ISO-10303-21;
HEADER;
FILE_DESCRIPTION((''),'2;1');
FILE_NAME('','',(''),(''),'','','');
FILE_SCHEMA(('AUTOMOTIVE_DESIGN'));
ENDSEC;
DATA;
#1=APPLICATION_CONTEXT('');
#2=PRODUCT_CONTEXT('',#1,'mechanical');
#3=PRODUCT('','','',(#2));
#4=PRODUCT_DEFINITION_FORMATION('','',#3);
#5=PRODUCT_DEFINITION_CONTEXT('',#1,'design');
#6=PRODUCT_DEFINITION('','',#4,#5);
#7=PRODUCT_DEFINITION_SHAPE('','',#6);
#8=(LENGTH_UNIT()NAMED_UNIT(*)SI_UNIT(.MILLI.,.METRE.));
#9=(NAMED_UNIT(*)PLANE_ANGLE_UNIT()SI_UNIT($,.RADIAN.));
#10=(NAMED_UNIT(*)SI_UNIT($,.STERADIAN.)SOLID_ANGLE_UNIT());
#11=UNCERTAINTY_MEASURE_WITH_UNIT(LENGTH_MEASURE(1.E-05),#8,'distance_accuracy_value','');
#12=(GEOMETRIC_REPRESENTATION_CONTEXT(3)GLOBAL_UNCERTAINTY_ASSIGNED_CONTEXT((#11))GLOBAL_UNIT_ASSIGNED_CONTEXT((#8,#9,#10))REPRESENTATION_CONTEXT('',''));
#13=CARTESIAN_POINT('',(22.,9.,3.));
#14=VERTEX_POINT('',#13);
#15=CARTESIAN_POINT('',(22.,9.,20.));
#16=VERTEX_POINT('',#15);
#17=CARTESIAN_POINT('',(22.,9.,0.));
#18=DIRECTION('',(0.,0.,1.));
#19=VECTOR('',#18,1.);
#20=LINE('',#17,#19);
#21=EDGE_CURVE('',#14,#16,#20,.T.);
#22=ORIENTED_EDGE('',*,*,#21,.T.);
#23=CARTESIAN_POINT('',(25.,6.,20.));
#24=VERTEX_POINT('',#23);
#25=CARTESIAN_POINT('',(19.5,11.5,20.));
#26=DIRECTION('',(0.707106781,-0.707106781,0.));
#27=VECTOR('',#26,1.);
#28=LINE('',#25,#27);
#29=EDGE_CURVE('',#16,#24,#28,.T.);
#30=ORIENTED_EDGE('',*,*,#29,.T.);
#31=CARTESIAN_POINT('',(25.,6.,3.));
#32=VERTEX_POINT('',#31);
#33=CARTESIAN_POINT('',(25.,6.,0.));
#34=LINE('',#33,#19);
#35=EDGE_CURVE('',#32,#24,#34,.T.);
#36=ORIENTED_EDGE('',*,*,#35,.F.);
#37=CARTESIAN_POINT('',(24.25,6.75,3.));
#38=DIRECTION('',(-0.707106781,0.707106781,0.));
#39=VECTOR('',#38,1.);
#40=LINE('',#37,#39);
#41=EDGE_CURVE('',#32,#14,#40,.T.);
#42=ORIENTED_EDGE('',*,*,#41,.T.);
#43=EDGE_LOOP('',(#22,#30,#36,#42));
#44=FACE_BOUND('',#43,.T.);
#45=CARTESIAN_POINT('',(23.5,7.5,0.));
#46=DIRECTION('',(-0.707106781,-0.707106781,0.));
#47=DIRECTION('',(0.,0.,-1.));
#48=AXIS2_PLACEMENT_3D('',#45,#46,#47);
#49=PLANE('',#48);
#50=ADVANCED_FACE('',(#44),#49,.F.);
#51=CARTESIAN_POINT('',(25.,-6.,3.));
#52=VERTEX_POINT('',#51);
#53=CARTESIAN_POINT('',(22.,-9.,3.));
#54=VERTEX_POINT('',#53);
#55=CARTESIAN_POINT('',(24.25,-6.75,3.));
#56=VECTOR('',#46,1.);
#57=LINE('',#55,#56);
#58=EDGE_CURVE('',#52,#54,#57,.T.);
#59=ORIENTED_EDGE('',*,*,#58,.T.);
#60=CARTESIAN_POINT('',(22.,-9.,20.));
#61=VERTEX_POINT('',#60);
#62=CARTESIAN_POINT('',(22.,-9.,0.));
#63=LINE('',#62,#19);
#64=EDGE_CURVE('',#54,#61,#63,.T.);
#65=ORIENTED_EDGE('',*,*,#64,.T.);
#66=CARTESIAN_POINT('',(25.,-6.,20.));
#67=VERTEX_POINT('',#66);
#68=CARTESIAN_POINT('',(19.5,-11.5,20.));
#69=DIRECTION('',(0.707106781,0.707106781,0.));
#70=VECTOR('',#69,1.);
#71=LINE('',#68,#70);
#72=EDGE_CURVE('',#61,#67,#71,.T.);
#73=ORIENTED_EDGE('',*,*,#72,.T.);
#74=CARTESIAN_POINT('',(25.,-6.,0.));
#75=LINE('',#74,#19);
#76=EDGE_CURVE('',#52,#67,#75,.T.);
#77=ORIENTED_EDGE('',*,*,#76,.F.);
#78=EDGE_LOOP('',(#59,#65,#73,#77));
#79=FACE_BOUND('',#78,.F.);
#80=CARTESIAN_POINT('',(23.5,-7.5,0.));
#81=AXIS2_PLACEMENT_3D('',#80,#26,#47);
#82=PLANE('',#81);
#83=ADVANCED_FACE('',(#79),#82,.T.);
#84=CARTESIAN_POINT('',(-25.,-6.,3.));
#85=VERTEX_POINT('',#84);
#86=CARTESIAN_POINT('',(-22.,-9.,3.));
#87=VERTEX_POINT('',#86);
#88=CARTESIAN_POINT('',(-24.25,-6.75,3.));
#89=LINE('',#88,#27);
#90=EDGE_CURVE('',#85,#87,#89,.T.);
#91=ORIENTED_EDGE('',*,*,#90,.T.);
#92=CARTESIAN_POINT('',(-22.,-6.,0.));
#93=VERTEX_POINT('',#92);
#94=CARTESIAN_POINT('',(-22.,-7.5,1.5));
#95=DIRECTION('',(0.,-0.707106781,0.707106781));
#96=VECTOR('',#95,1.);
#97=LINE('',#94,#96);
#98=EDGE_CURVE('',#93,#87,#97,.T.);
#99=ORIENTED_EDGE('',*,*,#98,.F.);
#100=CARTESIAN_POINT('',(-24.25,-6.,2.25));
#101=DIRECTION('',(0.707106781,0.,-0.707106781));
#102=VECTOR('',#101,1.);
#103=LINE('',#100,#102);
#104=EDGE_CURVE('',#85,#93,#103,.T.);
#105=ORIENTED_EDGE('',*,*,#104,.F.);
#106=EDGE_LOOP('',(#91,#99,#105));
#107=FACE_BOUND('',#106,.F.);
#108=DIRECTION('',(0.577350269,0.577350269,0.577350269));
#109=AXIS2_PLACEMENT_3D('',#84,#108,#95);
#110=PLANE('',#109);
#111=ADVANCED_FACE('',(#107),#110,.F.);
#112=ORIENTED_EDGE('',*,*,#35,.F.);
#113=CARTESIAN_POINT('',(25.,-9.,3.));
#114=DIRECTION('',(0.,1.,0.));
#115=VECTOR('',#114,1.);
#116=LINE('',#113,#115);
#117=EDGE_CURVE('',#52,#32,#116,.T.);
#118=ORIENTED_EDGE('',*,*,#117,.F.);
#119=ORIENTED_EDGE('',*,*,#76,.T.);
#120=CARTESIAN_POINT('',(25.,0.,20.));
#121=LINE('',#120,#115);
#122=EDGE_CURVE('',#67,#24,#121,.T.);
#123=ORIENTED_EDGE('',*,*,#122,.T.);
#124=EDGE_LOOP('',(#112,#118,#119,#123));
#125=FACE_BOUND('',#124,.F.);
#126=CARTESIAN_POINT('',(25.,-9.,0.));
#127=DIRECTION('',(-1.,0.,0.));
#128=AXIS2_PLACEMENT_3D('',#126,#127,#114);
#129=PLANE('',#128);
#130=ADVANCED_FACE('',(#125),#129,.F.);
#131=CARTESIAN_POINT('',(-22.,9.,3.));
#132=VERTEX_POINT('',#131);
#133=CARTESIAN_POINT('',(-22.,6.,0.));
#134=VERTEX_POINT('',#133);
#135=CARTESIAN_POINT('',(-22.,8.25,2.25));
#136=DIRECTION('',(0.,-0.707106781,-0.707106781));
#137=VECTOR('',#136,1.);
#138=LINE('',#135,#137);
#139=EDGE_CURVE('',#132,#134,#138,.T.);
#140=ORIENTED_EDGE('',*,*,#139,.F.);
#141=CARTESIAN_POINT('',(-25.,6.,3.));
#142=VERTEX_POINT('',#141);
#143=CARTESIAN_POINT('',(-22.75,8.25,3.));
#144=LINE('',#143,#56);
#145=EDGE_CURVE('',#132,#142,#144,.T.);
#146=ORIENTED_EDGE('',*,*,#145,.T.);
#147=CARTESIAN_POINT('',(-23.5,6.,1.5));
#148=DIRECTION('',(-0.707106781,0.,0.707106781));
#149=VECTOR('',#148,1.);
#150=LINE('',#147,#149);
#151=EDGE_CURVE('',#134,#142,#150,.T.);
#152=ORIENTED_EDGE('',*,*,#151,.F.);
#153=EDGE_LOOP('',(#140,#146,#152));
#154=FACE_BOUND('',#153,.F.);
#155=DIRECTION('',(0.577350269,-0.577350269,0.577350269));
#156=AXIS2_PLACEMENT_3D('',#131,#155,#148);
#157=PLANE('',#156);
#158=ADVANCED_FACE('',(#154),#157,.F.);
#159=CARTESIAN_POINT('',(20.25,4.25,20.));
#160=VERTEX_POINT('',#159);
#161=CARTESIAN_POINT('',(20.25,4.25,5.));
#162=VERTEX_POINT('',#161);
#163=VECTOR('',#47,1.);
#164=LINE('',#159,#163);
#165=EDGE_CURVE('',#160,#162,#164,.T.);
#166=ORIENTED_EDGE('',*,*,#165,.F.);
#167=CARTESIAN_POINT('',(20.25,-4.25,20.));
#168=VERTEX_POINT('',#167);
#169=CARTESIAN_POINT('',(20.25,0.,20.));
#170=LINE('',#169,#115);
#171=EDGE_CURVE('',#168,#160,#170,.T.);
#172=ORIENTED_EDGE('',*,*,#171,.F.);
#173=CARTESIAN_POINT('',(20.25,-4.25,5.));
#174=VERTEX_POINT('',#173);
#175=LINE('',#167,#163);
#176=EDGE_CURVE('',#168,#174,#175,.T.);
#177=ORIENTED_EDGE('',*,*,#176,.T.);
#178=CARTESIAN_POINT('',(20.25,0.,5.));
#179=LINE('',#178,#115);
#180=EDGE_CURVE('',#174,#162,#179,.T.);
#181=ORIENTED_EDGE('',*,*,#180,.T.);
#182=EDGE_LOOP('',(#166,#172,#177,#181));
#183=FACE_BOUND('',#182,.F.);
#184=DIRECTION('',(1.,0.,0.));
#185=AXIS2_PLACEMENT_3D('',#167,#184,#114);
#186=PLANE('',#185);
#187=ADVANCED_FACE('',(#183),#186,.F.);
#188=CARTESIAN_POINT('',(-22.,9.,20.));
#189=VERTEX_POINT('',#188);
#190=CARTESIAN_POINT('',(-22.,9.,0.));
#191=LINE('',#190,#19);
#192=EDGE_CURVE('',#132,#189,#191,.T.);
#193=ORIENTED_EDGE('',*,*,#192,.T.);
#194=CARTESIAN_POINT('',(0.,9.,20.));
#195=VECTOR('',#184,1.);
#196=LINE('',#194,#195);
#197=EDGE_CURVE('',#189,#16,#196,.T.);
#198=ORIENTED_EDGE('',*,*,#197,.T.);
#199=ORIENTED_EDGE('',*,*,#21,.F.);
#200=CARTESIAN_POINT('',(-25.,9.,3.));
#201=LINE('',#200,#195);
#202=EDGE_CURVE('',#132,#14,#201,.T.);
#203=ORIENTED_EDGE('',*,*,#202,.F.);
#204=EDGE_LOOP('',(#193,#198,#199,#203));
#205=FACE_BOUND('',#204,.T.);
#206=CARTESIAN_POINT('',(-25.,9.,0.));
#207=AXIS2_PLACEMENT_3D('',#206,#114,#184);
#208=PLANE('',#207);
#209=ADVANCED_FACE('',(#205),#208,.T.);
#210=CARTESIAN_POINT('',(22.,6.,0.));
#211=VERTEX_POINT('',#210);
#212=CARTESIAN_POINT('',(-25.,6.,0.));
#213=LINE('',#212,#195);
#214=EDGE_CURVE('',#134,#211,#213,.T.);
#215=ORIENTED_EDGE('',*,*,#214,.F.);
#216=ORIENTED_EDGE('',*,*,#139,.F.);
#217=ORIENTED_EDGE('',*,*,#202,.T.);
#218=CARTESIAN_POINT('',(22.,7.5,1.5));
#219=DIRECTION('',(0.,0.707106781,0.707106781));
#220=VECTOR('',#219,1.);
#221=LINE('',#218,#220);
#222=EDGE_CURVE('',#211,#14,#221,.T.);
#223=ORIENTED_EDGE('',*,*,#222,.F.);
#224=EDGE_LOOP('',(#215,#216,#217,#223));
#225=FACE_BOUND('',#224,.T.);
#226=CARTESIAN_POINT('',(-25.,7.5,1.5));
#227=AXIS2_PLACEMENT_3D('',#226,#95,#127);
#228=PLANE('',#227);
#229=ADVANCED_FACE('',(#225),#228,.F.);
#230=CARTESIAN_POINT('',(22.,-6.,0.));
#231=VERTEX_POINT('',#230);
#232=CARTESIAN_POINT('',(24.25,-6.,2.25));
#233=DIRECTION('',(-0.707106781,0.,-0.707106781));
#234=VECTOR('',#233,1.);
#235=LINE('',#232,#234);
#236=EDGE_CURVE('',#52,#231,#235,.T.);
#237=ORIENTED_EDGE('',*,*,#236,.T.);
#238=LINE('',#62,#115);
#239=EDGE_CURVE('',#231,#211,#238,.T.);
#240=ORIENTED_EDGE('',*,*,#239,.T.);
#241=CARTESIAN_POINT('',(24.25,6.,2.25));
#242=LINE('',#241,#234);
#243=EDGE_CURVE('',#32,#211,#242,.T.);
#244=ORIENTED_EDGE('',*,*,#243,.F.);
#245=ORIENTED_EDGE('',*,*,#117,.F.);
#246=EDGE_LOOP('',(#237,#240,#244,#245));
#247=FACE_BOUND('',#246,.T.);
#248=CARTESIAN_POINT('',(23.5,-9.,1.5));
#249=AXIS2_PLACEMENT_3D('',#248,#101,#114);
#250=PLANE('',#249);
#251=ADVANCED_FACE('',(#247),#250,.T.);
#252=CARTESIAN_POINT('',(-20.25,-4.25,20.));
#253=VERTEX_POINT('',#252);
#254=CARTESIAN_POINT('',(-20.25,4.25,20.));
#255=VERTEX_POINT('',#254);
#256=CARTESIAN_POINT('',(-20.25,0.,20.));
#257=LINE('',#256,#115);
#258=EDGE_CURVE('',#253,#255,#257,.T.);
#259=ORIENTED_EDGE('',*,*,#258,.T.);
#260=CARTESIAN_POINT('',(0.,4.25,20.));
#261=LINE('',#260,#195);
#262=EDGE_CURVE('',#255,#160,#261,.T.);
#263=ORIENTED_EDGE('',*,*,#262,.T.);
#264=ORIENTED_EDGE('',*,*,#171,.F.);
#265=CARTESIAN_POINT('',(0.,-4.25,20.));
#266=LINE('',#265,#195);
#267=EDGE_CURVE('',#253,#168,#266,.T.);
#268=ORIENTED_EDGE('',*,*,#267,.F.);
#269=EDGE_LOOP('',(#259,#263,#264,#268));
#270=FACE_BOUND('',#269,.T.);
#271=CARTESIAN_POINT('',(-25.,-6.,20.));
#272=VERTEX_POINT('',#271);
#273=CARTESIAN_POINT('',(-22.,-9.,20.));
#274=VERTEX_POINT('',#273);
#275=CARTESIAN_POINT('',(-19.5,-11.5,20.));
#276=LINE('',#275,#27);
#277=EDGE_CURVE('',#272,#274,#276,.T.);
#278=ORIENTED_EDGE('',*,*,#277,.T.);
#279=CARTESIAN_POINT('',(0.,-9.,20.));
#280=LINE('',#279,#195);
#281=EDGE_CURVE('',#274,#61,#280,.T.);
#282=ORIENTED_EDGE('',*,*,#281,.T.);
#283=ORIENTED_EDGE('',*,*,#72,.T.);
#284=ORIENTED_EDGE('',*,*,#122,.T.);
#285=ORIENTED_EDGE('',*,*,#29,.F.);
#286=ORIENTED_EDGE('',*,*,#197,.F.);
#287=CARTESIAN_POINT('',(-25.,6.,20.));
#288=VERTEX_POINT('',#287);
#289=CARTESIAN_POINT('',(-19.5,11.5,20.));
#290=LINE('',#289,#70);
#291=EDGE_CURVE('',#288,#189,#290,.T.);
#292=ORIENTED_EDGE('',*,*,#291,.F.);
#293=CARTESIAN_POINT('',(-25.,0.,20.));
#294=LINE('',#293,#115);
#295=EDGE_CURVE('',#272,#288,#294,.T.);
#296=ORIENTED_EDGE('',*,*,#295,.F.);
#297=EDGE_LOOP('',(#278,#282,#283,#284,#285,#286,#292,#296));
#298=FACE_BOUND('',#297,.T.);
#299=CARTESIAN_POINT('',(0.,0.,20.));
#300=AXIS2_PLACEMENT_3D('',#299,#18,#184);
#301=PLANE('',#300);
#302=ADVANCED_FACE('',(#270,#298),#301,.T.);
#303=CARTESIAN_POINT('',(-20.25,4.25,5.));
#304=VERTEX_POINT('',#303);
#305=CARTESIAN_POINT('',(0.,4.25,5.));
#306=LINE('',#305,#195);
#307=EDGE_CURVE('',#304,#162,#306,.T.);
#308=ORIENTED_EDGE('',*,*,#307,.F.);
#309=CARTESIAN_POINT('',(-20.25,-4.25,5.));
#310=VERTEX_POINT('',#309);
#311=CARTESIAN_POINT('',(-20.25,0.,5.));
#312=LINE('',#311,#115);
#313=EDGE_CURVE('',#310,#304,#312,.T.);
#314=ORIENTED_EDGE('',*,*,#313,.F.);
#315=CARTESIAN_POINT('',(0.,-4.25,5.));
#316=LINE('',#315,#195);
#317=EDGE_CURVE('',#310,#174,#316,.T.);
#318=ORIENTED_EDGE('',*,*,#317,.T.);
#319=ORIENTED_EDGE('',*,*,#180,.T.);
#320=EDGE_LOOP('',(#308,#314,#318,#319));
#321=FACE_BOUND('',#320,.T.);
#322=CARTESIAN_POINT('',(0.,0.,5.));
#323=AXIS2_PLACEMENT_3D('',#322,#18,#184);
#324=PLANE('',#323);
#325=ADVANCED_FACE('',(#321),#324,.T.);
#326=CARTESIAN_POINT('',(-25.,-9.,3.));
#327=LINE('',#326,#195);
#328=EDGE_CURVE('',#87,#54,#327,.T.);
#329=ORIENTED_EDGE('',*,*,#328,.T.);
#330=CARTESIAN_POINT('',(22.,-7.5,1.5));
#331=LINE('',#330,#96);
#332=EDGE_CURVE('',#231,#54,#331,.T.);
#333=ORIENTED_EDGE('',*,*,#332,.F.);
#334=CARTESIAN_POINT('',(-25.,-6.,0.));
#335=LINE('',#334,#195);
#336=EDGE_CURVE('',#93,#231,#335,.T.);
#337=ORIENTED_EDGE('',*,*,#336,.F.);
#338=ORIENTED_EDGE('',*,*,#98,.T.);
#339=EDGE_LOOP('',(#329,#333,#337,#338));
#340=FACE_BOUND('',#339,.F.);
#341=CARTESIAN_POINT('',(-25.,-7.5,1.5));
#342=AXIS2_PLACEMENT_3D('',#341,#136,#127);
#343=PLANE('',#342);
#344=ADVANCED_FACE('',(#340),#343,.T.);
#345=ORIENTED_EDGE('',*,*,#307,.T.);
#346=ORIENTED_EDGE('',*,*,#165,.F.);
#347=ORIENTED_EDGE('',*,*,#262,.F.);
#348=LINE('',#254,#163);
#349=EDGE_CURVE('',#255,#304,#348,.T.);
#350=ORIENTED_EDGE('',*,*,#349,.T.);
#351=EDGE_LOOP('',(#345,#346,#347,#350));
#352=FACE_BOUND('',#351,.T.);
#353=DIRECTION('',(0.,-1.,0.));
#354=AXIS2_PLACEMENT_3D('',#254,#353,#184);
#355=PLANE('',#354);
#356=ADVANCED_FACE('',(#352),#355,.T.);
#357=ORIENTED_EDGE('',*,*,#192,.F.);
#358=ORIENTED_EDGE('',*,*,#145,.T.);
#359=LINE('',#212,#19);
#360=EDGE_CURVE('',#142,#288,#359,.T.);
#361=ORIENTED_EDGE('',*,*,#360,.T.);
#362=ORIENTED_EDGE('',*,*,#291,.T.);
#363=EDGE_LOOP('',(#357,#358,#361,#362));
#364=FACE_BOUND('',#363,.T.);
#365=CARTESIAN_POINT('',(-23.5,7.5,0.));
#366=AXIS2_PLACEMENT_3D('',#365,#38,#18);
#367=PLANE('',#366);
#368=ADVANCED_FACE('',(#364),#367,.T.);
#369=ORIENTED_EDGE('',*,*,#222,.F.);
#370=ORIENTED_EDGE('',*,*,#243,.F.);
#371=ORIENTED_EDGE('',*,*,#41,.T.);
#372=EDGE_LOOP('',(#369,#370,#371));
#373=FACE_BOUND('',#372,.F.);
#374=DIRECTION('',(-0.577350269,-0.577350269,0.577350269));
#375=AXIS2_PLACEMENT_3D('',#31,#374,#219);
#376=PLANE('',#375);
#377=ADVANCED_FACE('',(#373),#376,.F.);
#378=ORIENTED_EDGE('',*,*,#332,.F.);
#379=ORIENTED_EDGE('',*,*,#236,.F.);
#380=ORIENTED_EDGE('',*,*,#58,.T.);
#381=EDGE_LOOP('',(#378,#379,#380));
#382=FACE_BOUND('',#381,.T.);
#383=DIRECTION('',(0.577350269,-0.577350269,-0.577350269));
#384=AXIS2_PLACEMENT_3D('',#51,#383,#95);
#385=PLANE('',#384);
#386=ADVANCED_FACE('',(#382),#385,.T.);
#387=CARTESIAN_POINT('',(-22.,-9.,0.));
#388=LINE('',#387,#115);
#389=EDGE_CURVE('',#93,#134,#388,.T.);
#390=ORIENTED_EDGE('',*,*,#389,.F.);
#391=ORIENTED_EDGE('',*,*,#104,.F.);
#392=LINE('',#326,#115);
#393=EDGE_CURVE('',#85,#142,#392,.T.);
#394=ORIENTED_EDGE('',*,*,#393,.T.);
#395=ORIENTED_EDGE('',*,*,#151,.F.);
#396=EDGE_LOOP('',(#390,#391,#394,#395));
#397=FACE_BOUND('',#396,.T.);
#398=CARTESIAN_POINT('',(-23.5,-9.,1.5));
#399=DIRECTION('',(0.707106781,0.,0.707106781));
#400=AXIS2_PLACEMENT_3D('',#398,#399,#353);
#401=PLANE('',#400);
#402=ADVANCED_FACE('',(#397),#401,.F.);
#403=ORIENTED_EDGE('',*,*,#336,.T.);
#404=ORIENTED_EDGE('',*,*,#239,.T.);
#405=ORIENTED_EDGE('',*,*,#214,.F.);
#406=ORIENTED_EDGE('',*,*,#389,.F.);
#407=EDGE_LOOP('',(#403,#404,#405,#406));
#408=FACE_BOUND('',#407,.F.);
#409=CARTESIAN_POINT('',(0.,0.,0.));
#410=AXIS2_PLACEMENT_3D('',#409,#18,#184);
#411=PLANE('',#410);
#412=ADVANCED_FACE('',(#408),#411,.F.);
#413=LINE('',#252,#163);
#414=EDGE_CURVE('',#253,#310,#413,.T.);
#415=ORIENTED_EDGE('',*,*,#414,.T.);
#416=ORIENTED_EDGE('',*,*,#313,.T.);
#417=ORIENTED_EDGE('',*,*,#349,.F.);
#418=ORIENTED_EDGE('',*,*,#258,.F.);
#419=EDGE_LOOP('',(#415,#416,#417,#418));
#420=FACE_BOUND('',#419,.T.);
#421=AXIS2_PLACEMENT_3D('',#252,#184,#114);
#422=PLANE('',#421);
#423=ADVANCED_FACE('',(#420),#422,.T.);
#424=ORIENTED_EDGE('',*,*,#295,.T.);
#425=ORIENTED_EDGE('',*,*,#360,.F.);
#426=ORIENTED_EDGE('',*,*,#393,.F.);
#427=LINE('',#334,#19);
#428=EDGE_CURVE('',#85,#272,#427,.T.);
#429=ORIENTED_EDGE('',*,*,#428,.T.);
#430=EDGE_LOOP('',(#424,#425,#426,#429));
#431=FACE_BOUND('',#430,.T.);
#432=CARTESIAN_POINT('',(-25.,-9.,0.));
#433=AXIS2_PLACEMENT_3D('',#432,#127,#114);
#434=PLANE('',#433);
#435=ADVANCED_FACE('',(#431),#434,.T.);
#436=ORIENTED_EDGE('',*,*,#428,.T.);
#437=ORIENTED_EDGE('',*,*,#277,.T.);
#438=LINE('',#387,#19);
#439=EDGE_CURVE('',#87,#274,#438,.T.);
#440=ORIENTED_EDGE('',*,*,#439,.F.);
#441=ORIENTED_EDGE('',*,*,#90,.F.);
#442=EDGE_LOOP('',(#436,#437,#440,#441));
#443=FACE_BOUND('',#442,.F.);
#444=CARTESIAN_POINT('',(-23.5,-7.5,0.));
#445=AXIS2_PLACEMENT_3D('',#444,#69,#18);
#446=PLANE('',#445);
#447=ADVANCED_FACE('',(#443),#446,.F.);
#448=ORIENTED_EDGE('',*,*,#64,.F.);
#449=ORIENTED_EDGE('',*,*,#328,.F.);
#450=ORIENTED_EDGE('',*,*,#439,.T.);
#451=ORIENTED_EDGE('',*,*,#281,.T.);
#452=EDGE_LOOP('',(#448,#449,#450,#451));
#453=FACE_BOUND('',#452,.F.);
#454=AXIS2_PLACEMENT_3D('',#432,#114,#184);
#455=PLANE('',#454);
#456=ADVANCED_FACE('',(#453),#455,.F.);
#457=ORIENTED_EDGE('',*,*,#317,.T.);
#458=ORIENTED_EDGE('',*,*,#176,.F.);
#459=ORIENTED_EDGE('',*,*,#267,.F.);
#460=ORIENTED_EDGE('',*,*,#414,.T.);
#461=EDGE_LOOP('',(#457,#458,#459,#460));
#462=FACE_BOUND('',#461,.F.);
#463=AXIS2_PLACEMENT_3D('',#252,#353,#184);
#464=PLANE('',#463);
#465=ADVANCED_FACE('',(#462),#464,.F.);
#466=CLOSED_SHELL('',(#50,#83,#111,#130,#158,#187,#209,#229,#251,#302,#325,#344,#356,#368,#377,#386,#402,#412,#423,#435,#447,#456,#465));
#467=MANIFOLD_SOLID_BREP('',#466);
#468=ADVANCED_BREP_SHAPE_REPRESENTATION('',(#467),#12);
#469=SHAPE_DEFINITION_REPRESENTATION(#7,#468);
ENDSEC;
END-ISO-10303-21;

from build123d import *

# Parameters (mm, degrees)
F0_W     = 50
F0_H     = 18
F1_DEPTH = 20
F2_W     = 40.5
F2_H     = 8.5
F3_DEPTH = 15
F4_SIZE  = 3


with BuildPart() as f1:
    # F0 (on Top) → F1 (new body)
    with BuildSketch(Plane.XY):
        Rectangle(F0_W, F0_H)
    extrude(amount=F1_DEPTH)

    # F2 (on face) → F3 (cut, through all)
    with BuildSketch(Plane.XY.offset(20)):
        Rectangle(F2_W, F2_H)
    extrude(amount=-F3_DEPTH, mode=Mode.SUBTRACT)

    # F4
    f4_edges = [f1.edges().sort_by_distance(p)[0] for p in [
        (0, -9, 0),
        (-25, 0, 0),
        (0, 9, 0),
        (25, 0, 0),
        (-25, -9, 10),
        (-25, 9, 10),
        (25, 9, 10),
        (25, -9, 10),
    ]]
    chamfer(f4_edges, length=F4_SIZE)


solid = f1.part
